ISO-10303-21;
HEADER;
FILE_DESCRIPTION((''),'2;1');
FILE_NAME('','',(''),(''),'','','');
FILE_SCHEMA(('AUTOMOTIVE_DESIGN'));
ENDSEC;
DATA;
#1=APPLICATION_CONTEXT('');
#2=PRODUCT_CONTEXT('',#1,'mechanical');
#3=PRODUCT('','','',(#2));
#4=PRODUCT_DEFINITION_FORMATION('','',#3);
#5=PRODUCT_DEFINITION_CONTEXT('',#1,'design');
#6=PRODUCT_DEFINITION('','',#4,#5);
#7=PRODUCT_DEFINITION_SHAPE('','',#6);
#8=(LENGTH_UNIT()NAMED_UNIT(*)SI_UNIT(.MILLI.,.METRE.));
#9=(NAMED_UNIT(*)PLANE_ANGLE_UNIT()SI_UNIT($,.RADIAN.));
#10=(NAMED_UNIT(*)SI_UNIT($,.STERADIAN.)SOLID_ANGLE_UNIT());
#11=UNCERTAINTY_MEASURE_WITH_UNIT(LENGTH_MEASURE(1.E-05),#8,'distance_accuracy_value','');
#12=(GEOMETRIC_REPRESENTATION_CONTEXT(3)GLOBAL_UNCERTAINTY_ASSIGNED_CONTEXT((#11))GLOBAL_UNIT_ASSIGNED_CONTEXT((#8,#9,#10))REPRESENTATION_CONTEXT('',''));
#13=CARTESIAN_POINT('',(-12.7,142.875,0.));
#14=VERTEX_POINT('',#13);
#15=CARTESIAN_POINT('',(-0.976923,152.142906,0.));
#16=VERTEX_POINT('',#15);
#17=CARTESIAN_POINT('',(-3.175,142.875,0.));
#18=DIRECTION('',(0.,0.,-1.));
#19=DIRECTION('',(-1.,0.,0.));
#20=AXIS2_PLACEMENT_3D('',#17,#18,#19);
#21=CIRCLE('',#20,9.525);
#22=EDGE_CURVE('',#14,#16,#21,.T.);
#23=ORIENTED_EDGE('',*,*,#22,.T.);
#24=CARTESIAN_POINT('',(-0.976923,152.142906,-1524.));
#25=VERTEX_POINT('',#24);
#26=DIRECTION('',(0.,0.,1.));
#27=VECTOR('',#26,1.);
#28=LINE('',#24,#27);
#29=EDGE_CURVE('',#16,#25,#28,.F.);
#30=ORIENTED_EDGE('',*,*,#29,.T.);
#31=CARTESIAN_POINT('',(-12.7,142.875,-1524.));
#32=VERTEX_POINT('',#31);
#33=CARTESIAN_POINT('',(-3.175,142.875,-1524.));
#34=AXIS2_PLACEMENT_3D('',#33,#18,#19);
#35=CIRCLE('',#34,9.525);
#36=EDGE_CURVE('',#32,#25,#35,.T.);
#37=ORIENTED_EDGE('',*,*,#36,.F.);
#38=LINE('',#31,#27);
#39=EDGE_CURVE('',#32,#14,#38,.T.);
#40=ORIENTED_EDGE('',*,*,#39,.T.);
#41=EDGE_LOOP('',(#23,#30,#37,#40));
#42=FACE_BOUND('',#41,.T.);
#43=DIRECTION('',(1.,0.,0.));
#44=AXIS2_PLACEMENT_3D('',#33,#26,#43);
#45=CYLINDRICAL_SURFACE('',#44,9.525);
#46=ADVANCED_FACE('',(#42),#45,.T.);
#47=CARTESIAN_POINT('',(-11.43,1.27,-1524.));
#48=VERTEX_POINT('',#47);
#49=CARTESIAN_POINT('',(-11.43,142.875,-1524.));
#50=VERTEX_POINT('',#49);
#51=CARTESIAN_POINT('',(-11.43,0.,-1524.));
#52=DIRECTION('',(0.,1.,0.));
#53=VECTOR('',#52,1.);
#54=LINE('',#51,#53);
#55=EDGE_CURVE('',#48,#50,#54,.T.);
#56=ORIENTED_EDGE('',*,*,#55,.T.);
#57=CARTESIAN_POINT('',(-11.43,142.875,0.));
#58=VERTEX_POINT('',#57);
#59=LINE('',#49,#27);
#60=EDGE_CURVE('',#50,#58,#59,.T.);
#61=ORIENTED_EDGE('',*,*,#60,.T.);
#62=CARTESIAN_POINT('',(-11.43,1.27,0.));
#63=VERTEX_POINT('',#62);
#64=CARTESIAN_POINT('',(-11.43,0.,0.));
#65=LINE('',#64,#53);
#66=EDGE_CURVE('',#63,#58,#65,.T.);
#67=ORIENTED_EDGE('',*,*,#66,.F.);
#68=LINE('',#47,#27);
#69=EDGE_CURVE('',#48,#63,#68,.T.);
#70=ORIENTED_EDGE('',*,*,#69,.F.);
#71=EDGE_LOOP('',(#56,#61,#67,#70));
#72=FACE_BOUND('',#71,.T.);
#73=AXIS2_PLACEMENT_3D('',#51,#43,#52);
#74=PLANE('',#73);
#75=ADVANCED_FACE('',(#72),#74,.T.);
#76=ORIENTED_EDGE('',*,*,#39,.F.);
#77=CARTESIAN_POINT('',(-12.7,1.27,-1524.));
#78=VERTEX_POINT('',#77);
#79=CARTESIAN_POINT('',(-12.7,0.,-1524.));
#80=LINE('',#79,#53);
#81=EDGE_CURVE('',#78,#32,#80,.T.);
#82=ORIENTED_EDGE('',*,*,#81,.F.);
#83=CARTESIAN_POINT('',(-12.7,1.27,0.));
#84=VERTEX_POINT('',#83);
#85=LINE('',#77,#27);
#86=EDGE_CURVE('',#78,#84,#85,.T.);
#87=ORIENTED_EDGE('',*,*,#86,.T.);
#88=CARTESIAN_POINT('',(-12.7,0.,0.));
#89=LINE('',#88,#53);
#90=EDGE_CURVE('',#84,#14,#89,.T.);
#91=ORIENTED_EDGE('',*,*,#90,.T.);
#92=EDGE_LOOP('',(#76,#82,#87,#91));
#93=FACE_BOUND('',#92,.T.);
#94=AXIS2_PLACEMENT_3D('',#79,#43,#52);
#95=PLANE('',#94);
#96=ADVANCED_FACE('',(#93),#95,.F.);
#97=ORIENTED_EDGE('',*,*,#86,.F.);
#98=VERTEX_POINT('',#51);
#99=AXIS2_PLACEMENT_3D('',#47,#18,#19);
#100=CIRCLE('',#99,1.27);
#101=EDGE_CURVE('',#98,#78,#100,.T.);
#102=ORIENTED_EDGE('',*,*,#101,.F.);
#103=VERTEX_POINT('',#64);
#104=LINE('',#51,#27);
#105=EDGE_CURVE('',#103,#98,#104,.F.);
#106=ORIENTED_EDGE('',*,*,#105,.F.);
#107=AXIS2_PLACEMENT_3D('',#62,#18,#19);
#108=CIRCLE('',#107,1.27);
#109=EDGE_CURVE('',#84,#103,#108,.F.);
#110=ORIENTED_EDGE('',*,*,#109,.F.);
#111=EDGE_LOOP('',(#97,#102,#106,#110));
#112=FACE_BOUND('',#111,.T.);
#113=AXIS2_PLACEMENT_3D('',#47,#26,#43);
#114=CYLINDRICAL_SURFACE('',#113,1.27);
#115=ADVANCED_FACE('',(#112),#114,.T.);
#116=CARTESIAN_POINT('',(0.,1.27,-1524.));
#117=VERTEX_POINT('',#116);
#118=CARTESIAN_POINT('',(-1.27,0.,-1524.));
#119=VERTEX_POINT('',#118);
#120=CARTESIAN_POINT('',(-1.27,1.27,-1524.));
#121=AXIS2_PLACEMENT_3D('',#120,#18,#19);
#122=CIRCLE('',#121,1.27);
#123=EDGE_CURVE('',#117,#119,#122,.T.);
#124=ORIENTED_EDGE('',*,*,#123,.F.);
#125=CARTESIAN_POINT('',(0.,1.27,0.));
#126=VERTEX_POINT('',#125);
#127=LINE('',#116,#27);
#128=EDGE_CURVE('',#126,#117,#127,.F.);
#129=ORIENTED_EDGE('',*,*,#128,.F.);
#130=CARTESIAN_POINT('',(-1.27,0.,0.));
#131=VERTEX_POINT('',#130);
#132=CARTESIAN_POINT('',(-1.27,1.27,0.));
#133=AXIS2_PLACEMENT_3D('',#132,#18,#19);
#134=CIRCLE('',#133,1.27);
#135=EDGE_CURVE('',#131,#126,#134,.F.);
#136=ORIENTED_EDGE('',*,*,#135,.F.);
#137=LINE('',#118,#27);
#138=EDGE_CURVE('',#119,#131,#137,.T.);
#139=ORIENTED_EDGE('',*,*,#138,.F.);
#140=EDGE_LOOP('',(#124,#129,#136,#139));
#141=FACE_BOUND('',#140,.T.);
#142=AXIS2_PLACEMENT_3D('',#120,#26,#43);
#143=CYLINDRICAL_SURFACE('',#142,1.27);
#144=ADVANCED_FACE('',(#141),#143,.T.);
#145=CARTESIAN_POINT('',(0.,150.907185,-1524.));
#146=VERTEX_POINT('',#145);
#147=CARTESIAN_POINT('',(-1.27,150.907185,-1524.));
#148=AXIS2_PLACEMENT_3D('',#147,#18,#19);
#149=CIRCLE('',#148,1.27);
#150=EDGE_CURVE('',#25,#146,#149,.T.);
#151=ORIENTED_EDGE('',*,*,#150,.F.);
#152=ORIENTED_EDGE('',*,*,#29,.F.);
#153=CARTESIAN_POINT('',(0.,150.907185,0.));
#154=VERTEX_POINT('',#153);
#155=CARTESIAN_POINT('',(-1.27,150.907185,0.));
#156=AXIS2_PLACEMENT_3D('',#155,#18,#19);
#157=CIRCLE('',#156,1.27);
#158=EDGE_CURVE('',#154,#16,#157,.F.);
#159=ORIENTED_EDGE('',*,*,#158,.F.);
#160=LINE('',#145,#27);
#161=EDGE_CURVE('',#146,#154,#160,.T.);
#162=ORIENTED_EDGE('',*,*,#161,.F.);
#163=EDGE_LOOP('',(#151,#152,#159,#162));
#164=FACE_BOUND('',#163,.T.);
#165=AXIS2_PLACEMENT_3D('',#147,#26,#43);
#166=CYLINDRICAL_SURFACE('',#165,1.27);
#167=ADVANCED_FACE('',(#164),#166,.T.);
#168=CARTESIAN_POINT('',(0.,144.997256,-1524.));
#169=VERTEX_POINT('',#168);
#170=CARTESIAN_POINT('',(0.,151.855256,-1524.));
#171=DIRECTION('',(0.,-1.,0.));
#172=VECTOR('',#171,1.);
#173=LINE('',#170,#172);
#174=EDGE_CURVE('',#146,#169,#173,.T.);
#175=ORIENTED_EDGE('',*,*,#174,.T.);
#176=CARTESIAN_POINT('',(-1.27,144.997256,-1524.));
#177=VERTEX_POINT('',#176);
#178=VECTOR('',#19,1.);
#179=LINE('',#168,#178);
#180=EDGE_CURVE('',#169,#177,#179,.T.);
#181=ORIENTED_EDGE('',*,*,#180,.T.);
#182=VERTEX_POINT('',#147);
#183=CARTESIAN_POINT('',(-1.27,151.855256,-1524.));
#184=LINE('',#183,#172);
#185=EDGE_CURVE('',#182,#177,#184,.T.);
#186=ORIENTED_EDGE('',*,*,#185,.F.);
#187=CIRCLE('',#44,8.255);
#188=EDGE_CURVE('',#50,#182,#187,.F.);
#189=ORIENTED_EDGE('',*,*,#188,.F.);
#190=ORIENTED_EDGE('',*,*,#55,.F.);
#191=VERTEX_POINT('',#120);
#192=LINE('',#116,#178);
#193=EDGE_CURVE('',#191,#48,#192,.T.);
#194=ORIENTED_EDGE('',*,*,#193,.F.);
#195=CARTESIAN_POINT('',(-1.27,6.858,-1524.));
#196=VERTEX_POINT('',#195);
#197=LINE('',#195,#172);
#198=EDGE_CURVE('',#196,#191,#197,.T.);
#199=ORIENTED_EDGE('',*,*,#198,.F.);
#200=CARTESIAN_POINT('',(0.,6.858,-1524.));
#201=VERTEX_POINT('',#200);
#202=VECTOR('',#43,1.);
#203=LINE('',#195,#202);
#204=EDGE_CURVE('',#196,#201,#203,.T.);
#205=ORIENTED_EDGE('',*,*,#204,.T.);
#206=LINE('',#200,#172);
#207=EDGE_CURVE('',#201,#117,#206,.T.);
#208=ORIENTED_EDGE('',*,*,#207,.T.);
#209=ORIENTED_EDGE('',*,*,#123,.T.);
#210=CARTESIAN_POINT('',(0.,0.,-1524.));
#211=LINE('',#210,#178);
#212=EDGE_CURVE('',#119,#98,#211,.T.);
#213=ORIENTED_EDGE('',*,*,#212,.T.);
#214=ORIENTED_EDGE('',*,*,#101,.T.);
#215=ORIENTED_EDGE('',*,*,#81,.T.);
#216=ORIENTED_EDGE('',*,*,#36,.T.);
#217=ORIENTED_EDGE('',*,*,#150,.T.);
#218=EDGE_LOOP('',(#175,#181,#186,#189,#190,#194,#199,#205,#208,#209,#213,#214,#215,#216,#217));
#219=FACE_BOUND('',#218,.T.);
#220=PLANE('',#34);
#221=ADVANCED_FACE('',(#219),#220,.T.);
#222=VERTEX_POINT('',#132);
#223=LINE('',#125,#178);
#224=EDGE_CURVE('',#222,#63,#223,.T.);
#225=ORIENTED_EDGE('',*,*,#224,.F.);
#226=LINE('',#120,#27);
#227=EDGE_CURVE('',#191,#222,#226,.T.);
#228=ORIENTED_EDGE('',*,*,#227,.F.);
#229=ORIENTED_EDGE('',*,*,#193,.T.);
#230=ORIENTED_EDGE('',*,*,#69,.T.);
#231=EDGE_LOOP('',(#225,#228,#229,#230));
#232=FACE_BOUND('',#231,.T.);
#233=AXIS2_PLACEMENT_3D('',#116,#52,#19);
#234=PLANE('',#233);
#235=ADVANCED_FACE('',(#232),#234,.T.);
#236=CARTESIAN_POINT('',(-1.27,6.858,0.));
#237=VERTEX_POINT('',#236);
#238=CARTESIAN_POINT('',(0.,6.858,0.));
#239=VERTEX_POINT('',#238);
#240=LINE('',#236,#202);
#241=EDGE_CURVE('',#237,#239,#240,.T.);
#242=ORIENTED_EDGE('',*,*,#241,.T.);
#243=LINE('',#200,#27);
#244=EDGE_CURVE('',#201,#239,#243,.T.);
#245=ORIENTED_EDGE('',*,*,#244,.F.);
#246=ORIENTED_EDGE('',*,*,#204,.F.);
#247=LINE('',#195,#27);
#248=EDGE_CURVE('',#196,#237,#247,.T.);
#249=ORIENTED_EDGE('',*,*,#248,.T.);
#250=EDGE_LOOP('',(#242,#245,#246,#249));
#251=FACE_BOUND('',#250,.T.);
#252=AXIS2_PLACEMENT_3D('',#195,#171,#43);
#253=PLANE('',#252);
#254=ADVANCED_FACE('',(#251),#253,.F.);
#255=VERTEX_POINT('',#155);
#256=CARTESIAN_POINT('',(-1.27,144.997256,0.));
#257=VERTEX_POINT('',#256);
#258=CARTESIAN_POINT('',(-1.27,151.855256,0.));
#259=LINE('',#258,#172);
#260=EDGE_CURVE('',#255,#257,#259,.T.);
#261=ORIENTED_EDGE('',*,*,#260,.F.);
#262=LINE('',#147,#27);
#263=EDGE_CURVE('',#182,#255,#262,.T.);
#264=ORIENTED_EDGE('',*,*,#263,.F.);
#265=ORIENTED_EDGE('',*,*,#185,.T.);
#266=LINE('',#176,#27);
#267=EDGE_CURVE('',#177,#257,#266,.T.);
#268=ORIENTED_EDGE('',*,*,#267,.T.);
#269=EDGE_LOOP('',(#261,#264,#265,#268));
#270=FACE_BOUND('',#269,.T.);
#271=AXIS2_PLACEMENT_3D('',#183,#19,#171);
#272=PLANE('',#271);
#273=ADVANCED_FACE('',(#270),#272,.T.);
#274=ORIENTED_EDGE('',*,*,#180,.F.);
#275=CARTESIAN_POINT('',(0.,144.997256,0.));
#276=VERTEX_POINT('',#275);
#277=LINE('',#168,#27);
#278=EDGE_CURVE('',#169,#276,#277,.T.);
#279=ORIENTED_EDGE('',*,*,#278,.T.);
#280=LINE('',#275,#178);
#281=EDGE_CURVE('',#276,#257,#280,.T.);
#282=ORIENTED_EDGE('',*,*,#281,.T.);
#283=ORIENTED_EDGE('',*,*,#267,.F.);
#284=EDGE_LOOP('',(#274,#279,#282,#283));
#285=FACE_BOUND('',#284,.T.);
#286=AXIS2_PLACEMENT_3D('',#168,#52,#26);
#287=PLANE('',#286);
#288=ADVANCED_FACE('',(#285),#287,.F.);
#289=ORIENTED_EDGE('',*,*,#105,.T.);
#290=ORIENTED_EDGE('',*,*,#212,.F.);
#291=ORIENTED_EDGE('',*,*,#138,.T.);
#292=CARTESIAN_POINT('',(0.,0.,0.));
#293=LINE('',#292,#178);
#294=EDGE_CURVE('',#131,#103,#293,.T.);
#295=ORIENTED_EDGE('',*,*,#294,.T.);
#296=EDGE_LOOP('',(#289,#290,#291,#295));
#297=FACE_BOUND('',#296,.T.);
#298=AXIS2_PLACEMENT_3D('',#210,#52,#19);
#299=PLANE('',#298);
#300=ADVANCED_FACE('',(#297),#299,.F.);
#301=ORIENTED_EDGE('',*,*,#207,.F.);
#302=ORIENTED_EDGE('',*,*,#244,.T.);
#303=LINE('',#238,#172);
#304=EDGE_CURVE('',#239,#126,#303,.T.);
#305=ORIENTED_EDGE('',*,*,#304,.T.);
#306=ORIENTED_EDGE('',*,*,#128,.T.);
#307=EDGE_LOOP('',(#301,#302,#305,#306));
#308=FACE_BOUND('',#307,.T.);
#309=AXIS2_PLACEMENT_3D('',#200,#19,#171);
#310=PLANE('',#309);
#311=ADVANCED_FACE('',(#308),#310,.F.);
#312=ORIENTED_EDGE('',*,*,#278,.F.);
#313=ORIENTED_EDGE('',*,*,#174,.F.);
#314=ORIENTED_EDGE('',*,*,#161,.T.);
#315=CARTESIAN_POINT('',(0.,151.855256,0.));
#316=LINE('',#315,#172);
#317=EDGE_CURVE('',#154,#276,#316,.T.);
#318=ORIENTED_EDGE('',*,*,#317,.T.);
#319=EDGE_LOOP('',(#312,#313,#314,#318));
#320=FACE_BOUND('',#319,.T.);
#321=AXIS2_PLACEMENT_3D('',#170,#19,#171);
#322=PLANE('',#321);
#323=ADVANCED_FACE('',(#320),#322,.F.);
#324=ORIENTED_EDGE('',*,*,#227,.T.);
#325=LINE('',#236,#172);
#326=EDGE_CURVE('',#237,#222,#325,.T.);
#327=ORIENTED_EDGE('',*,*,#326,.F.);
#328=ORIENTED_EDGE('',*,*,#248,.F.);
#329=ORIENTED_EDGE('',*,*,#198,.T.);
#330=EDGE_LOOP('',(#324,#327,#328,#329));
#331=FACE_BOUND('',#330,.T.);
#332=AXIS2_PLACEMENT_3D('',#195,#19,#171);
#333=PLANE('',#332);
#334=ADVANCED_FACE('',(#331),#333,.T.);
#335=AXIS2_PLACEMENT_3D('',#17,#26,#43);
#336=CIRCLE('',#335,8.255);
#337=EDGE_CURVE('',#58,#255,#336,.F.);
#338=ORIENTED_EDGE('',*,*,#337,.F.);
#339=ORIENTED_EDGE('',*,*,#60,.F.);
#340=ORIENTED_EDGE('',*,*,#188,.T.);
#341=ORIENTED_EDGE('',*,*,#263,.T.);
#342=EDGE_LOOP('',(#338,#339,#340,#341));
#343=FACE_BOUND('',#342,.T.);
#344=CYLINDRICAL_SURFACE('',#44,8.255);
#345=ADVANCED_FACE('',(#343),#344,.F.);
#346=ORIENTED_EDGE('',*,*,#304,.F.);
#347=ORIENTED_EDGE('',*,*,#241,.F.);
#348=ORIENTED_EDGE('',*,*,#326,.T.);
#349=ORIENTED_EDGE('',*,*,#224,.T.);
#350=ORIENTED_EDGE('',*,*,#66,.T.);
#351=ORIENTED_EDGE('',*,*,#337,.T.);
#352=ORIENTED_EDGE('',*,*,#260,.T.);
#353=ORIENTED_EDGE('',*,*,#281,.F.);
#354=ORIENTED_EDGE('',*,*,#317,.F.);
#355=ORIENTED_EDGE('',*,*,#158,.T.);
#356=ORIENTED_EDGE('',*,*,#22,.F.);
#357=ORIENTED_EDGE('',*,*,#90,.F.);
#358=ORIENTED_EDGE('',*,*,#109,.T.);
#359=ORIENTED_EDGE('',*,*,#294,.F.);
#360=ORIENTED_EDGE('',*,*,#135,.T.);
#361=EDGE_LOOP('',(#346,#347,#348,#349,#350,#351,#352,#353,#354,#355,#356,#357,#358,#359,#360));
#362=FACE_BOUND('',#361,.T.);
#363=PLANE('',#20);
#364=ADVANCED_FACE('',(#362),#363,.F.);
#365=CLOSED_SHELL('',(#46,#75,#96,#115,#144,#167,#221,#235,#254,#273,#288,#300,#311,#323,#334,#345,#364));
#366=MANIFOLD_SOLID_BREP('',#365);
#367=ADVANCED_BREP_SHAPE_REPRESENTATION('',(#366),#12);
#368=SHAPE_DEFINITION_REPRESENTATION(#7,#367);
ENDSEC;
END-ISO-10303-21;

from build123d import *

# Parameters (mm, degrees)
EXTRUDE_THIN1_DEPTH = 1524
FILLET1_R           = 1.27


with BuildPart() as part:
    # Sketch1 → Extrude-Thin1 (new body)
    with BuildSketch(Plane.XY):
        with BuildLine():
            Line((0, 6.858), (0, 0))
            Line((0, 0), (-12.7, 0))
            Line((-12.7, 0), (-12.7, 142.875))
            ThreePointArc((-12.7, 142.875), (-8.674261314, 150.652129933), (0, 151.855256121))
            Line((0, 151.855256121), (0, 144.997256121))
            Line((0, 144.997256121), (-1.27, 144.997256121))
            Line((-1.27, 144.997256121), (-1.27, 150.907185257))
            ThreePointArc((-1.27, 150.907185257), (-8.29453367, 149.350754782), (-11.43, 142.875))
            Line((-11.43, 142.875), (-11.43, 1.27))
            Line((-11.43, 1.27), (-1.27, 1.27))
            Line((-1.27, 1.27), (-1.27, 6.858))
            Line((-1.27, 6.858), (0, 6.858))
        make_face()
    extrude(amount=-EXTRUDE_THIN1_DEPTH)

    # Fillet1
    fillet1_edges = [part.edges().sort_by_distance(p)[0] for p in [
        (0, 0, -762),
        (-12.7, 0, -762),
        (0, 151.855256121, -762),
    ]]
    fillet(fillet1_edges, radius=FILLET1_R)


solid = part.part
